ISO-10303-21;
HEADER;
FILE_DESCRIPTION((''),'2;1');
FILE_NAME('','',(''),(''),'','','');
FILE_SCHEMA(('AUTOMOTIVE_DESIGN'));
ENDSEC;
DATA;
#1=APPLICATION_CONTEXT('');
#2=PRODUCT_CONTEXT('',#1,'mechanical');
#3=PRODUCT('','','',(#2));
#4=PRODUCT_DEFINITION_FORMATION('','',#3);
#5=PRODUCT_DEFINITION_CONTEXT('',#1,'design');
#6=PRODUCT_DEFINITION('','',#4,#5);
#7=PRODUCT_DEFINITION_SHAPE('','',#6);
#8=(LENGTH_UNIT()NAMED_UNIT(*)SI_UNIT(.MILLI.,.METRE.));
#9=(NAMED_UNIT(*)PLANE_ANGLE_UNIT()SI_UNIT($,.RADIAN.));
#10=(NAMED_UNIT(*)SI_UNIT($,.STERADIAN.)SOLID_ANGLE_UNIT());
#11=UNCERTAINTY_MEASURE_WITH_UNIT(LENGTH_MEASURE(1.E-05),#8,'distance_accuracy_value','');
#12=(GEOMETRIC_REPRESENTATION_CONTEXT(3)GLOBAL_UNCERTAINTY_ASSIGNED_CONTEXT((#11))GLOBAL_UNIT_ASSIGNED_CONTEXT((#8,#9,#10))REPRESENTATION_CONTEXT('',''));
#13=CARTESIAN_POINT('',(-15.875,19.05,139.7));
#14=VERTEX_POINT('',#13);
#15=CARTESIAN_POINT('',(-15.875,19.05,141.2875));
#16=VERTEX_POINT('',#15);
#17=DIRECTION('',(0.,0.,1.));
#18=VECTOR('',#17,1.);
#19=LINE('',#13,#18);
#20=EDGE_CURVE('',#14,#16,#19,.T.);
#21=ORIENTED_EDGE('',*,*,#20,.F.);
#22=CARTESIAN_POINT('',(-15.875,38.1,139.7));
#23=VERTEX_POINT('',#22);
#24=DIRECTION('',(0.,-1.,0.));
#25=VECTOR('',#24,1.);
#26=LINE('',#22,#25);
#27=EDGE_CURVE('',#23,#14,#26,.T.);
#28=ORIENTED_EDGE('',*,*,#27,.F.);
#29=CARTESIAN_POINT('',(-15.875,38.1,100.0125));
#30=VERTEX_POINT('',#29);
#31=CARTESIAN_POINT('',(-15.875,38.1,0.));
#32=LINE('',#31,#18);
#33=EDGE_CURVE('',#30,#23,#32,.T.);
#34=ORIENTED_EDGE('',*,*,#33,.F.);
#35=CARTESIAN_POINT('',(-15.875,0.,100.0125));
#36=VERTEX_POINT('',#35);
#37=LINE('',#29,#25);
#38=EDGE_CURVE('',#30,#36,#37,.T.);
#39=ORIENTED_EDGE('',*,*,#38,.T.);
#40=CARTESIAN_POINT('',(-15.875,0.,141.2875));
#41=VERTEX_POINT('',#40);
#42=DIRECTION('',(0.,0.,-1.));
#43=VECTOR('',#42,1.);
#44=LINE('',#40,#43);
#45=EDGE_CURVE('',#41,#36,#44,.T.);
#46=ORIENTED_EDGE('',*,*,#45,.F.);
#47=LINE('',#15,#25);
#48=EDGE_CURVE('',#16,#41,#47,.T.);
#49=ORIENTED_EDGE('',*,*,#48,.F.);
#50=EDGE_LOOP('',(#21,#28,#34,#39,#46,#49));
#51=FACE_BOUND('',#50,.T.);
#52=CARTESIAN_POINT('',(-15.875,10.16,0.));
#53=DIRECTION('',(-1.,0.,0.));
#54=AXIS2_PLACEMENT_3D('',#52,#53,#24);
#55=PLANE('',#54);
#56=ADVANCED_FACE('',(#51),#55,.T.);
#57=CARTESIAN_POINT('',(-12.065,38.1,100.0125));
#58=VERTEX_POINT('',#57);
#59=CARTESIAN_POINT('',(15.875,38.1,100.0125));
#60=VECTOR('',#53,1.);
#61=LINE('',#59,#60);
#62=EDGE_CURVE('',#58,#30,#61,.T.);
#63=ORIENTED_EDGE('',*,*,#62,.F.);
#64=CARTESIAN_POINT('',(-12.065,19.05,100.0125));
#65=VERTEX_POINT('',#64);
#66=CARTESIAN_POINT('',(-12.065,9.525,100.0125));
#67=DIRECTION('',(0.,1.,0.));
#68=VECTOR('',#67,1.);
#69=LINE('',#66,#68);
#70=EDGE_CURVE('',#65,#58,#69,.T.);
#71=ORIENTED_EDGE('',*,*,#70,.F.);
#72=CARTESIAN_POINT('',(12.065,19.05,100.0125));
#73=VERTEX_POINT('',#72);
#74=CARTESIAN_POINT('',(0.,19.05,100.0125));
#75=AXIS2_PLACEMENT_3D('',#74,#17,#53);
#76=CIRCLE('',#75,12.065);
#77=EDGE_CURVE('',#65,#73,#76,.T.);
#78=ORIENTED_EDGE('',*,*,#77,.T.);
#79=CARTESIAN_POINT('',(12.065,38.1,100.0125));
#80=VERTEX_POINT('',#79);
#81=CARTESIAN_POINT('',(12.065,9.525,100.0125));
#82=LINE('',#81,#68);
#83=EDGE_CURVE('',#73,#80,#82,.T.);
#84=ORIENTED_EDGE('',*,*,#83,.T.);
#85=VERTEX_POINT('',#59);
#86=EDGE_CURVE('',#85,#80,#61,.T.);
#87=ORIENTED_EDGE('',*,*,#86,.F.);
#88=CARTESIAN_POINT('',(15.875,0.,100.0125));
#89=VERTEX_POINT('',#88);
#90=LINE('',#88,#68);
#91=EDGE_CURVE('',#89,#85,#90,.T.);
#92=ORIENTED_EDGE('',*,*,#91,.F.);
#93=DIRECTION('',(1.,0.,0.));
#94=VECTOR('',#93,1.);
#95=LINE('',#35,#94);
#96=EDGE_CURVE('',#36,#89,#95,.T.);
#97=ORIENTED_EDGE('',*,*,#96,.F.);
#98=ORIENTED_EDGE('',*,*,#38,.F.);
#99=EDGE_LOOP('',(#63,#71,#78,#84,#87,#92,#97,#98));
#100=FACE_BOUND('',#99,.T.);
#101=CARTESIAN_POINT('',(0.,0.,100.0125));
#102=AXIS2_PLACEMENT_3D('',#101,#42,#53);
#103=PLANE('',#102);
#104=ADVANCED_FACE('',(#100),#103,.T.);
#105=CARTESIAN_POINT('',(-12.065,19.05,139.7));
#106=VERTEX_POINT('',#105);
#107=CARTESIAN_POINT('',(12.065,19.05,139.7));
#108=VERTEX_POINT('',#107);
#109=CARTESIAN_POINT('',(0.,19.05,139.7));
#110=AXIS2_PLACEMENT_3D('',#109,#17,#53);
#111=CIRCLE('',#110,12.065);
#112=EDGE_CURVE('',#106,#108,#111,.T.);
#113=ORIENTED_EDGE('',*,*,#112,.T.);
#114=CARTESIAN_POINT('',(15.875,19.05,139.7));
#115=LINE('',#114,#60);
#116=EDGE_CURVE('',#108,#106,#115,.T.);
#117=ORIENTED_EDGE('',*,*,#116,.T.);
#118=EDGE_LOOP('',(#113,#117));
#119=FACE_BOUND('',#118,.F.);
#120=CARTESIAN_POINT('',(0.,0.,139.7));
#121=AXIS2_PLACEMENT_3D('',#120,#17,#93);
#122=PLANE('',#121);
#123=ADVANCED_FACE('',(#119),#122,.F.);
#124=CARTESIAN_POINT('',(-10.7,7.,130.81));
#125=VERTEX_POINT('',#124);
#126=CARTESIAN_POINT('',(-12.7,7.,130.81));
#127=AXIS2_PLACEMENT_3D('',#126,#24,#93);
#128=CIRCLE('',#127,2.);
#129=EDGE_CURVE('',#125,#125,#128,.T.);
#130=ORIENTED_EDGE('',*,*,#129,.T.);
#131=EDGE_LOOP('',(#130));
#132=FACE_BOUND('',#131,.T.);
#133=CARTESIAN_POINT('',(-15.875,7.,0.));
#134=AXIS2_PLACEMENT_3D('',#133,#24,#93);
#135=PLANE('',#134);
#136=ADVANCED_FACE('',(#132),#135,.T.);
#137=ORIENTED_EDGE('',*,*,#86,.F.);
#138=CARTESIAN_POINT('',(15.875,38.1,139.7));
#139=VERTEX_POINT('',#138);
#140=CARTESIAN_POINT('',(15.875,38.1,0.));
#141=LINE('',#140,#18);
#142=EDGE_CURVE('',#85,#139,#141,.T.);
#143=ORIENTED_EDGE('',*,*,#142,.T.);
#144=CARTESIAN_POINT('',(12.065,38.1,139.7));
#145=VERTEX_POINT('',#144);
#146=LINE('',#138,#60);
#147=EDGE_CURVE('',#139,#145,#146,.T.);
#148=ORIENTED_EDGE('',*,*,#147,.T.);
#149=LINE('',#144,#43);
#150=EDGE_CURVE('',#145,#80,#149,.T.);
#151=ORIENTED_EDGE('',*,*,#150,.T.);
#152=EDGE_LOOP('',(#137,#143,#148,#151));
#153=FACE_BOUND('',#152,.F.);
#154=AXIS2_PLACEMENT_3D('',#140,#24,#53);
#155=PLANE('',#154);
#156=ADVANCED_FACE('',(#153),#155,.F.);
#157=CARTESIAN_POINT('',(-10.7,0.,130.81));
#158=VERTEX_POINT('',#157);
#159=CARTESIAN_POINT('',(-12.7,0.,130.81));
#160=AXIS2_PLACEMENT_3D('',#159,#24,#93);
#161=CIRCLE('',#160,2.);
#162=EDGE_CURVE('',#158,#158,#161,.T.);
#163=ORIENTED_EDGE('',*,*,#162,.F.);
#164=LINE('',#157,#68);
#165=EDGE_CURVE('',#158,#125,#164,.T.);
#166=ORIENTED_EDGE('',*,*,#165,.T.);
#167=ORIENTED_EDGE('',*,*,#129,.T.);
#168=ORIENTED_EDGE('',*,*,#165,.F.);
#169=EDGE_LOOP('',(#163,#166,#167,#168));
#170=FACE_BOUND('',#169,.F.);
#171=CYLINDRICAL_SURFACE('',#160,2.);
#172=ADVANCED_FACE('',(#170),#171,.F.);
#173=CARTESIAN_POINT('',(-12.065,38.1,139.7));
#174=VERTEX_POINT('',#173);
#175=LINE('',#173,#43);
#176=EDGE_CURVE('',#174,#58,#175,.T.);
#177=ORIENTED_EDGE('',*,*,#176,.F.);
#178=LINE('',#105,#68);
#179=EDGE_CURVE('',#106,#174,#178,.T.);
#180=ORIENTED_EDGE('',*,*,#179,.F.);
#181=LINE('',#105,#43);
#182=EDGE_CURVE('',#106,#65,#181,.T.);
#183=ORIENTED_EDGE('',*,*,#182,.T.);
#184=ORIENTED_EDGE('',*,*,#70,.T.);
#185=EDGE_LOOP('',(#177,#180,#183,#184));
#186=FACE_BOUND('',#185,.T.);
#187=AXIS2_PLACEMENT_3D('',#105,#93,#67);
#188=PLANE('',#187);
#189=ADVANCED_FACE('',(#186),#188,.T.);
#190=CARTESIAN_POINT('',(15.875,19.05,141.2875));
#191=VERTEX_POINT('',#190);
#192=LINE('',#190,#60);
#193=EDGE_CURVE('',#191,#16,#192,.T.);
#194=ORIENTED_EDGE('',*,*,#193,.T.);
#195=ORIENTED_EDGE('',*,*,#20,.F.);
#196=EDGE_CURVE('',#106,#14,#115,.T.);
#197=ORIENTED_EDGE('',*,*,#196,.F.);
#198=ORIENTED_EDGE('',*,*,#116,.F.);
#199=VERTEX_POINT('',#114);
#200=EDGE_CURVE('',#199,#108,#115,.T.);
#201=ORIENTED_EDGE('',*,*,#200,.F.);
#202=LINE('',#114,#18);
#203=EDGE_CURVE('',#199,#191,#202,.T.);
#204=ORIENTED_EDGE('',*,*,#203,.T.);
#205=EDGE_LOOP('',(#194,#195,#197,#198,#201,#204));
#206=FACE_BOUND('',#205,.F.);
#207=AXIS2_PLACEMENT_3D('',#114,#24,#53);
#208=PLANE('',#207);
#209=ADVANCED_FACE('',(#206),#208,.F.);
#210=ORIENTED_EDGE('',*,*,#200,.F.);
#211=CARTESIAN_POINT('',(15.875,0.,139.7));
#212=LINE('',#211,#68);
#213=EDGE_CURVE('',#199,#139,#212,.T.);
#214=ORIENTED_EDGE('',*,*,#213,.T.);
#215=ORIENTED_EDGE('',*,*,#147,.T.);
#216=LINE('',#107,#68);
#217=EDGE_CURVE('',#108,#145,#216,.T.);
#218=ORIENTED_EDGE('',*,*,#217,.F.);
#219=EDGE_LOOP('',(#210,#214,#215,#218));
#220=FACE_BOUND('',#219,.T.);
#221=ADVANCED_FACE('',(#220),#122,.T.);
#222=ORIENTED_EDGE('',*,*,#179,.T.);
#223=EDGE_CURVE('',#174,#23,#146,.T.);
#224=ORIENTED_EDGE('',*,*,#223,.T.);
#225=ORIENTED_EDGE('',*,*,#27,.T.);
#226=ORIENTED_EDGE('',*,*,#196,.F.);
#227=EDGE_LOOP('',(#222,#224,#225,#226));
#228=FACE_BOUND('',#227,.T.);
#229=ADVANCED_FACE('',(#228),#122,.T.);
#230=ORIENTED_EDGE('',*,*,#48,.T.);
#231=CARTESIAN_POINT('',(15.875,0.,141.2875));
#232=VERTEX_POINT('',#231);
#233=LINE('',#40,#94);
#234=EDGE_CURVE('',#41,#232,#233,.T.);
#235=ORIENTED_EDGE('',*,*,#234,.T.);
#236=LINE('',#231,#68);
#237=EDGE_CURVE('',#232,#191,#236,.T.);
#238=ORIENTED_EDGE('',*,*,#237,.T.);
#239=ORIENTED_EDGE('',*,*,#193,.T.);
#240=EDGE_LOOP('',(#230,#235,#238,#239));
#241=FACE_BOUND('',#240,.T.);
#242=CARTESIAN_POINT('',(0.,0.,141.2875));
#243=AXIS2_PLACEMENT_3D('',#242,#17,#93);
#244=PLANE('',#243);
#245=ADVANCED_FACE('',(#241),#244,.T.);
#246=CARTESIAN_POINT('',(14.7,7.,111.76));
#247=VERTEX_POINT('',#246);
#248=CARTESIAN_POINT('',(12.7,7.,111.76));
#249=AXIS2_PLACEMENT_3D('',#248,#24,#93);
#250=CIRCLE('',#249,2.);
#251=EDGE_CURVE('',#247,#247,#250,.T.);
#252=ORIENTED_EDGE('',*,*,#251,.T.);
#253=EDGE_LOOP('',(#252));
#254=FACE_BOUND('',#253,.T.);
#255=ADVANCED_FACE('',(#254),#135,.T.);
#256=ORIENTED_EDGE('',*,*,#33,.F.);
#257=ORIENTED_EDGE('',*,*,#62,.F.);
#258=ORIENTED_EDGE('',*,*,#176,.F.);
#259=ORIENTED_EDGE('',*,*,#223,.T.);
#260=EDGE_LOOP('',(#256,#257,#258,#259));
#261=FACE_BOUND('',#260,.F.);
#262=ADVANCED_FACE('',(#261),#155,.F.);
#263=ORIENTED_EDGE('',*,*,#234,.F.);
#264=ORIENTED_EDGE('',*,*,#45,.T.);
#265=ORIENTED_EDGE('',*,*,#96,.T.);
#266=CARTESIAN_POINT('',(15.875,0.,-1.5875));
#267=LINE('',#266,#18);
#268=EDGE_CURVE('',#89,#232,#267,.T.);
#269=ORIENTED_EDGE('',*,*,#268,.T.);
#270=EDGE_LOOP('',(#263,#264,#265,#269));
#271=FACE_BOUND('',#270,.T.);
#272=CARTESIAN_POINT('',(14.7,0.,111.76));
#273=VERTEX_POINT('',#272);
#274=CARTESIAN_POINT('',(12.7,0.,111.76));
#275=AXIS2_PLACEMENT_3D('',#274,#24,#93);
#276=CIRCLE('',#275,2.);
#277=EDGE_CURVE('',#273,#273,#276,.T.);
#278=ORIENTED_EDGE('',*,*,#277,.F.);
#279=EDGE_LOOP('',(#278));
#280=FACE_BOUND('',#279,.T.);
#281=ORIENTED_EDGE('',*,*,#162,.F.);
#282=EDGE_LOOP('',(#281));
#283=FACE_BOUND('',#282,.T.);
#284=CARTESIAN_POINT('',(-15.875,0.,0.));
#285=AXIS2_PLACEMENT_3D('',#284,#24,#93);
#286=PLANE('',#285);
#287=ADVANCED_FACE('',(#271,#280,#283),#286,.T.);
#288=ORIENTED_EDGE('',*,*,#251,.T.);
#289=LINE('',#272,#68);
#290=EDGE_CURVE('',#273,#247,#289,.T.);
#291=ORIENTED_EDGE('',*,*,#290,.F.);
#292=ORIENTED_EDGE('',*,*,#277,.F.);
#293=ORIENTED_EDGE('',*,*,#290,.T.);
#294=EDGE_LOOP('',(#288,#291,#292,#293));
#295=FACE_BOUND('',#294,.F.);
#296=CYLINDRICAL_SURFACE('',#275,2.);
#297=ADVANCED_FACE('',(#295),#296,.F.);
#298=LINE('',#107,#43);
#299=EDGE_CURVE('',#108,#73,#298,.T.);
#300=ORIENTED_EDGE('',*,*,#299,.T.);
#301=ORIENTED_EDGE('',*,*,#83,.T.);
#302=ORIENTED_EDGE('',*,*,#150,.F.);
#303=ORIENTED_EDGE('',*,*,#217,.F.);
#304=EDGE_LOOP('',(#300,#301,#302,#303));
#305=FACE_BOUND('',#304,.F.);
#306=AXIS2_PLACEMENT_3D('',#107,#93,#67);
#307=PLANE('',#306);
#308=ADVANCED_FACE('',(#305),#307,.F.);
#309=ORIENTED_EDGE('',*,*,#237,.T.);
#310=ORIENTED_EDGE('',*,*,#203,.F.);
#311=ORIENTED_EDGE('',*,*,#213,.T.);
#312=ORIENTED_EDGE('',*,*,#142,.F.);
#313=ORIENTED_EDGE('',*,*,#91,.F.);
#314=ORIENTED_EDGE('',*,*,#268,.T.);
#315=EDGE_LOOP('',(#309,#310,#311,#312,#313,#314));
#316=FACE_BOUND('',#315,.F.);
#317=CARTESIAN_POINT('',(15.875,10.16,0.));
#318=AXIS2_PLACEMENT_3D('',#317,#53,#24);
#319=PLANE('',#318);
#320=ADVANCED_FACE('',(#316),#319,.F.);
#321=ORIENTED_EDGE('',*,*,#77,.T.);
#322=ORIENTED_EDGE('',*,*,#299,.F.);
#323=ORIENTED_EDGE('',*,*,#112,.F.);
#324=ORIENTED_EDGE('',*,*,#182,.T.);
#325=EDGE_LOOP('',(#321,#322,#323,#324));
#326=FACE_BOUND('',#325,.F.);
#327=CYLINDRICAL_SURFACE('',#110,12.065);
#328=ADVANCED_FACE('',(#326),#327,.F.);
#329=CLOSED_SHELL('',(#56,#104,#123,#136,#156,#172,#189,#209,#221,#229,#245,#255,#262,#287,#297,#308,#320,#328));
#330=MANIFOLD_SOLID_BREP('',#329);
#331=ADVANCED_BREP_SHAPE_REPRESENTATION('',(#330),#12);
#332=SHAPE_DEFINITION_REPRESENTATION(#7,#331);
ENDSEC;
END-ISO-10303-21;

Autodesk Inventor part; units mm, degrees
ref_plane "YZ Plane" through (0, 0, 0) normal (1, 0, 0) x (0, 1, 0)
ref_plane "XZ Plane" through (0, 0, 0) normal (0, 1, 0) x (-1, 0, 0)
ref_plane "XY Plane" through (0, 0, 0) normal (0, 0, 1) x (1, 0, 0)
sketch "Sketch1" plane through (0, 0, 0) normal (0, 0, 1) x (1, 0, 0)
  line L0 (-15.875, 0) -> (15.875, 0)
  line L1 (15.875, 0) -> (15.875, 38.1)
  line L2 (15.875, 38.1) -> (-15.875, 38.1)
  line L3 (-15.875, 38.1) -> (-15.875, 0)
  point P0 (0, 0)
  dimension "d2" = 31.75
  dimension "d3" = 38.1
  dimension "d4" = 15.875
  dimension "d5" = 0
extrude "Extrusion1" add sketch "Sketch1" along normal blind 139.7
sketch "Sketch2" plane through (0, 0, 139.7) normal (0, 0, 1) x (1, 0, 0)
  arc A0 (-12.065, 19.05) -> (12.065, 19.05) centre (0, 19.05) ccw
  line L0 (-15.875, 0) -> (15.875, 0) projected
  line L1 (12.065, 19.05) -> (12.065, 38.1)
  line L2 (15.875, 38.1) -> (-15.875, 38.1) projected
  line L3 (-12.065, 19.05) -> (-12.065, 38.1)
  point P0 (0, 0)
  dimension "d8" = 19.05
  dimension "d9" = 24.13
extrude "Extrusion2" cut sketch "Sketch2" against normal through all
sketch "Sketch3" plane through (-15.875, 0, 0) normal (0, -1, 0) x (1, 0, 0)
  circle A0 centre (28.575, 8.89) radius 2
  circle A1 centre (3.175, 130.81) radius 2
  line L0 (15.875, 0) -> (15.875, 139.7) construction
  line L1 (0, 139.7) -> (31.75, 139.7) construction
  line L2 (0, 0) -> (31.75, 0) construction
  line L3 (31.75, 139.7) -> (0, 139.7) construction
  circle A2 centre (28.575, 111.76) radius 2
  line L4 (31.75, 0) -> (31.75, 139.7) projected
  dimension "d12" = 4
  dimension "d13" = 4
  dimension "d14" = 12.7
  dimension "d15" = 8.89
  dimension "d16" = 12.7
  dimension "d17" = 8.89
  dimension "d28" = 4
  dimension "d30" = 27.94
  dimension "d32" = 12.7
extrude "Heat Set Inserts" cut sketch "Sketch3" against normal blind 7
sketch "Sketch4" plane through (0, 0, 139.7) normal (0, 0, 1) x (1, 0, 0)
  line L0 (-15.875, 0) -> (15.875, 0) projected
  line L1 (15.875, 0) -> (15.875, 38.1) projected
  line L2 (-15.875, 0) -> (15.875, 0)
  line L3 (15.875, 0) -> (15.875, 19.05)
  line L4 (15.875, 19.05) -> (-15.875, 19.05)
  line L5 (-15.875, 19.05) -> (-15.875, 0)
  point P0 (0, 0)
  dimension "d20" = 19.05
extrude "Back Wall" add sketch "Sketch4" along normal blind 1.5875
sketch "Sketch5" plane through (0, 0, 0) normal (0, 0, -1) x (-1, 0, 0)
  line L0 (15.875, 0) -> (-15.875, 0) projected
  line L1 (15.875, 19.05) -> (15.875, 0) projected
  line L2 (-15.875, 0) -> (15.875, 0)
  line L3 (15.875, 0) -> (15.875, 10.16)
  line L4 (15.875, 10.16) -> (-15.875, 10.16)
  line L5 (-15.875, 10.16) -> (-15.875, 0)
  point P0 (0, 0)
  dimension "d23" = 10.16
extrude "Extrusion5" add sketch "Sketch5" along normal blind 1.5875
sketch "Sketch6" plane through (0, 0, -1.5875) normal (0, 0, -1) x (-1, 0, 0)
  line L0 (15.875, 0) -> (-15.875, 0) projected
  line L1 (-15.875, 38.1) -> (15.875, 38.1)
  line L2 (15.875, 38.1) -> (15.875, 0)
  line L3 (15.875, 0) -> (-15.875, 0)
  line L4 (-15.875, 0) -> (-15.875, 38.1)
  point P0 (0, 0)
extrude "Extrusion6" cut sketch "Sketch6" against normal blind 101.6
equation "\"d4\" = 0.5 * d2"
equation "\"d12\" = m3_heat_set_insert"
equation "\"d13\" = m3_heat_set_insert"
equation "\"d28\" = d29"
equation "\"d32\" = d16"
equation "\"d18\" = m3_heat_set_depth"
equation "\"m3_heat_set_insert\" = 4"
equation "\"m3_clearance\" = 3.4"
equation "\"m3_heat_set_depth\" = 7"
equation "\"robot_diameter\" = 354"
equation "\"hardboard_thickness\" = 5"
equation "\"d29\" = 4"
properties part number "NiMH_Holder_Back"
